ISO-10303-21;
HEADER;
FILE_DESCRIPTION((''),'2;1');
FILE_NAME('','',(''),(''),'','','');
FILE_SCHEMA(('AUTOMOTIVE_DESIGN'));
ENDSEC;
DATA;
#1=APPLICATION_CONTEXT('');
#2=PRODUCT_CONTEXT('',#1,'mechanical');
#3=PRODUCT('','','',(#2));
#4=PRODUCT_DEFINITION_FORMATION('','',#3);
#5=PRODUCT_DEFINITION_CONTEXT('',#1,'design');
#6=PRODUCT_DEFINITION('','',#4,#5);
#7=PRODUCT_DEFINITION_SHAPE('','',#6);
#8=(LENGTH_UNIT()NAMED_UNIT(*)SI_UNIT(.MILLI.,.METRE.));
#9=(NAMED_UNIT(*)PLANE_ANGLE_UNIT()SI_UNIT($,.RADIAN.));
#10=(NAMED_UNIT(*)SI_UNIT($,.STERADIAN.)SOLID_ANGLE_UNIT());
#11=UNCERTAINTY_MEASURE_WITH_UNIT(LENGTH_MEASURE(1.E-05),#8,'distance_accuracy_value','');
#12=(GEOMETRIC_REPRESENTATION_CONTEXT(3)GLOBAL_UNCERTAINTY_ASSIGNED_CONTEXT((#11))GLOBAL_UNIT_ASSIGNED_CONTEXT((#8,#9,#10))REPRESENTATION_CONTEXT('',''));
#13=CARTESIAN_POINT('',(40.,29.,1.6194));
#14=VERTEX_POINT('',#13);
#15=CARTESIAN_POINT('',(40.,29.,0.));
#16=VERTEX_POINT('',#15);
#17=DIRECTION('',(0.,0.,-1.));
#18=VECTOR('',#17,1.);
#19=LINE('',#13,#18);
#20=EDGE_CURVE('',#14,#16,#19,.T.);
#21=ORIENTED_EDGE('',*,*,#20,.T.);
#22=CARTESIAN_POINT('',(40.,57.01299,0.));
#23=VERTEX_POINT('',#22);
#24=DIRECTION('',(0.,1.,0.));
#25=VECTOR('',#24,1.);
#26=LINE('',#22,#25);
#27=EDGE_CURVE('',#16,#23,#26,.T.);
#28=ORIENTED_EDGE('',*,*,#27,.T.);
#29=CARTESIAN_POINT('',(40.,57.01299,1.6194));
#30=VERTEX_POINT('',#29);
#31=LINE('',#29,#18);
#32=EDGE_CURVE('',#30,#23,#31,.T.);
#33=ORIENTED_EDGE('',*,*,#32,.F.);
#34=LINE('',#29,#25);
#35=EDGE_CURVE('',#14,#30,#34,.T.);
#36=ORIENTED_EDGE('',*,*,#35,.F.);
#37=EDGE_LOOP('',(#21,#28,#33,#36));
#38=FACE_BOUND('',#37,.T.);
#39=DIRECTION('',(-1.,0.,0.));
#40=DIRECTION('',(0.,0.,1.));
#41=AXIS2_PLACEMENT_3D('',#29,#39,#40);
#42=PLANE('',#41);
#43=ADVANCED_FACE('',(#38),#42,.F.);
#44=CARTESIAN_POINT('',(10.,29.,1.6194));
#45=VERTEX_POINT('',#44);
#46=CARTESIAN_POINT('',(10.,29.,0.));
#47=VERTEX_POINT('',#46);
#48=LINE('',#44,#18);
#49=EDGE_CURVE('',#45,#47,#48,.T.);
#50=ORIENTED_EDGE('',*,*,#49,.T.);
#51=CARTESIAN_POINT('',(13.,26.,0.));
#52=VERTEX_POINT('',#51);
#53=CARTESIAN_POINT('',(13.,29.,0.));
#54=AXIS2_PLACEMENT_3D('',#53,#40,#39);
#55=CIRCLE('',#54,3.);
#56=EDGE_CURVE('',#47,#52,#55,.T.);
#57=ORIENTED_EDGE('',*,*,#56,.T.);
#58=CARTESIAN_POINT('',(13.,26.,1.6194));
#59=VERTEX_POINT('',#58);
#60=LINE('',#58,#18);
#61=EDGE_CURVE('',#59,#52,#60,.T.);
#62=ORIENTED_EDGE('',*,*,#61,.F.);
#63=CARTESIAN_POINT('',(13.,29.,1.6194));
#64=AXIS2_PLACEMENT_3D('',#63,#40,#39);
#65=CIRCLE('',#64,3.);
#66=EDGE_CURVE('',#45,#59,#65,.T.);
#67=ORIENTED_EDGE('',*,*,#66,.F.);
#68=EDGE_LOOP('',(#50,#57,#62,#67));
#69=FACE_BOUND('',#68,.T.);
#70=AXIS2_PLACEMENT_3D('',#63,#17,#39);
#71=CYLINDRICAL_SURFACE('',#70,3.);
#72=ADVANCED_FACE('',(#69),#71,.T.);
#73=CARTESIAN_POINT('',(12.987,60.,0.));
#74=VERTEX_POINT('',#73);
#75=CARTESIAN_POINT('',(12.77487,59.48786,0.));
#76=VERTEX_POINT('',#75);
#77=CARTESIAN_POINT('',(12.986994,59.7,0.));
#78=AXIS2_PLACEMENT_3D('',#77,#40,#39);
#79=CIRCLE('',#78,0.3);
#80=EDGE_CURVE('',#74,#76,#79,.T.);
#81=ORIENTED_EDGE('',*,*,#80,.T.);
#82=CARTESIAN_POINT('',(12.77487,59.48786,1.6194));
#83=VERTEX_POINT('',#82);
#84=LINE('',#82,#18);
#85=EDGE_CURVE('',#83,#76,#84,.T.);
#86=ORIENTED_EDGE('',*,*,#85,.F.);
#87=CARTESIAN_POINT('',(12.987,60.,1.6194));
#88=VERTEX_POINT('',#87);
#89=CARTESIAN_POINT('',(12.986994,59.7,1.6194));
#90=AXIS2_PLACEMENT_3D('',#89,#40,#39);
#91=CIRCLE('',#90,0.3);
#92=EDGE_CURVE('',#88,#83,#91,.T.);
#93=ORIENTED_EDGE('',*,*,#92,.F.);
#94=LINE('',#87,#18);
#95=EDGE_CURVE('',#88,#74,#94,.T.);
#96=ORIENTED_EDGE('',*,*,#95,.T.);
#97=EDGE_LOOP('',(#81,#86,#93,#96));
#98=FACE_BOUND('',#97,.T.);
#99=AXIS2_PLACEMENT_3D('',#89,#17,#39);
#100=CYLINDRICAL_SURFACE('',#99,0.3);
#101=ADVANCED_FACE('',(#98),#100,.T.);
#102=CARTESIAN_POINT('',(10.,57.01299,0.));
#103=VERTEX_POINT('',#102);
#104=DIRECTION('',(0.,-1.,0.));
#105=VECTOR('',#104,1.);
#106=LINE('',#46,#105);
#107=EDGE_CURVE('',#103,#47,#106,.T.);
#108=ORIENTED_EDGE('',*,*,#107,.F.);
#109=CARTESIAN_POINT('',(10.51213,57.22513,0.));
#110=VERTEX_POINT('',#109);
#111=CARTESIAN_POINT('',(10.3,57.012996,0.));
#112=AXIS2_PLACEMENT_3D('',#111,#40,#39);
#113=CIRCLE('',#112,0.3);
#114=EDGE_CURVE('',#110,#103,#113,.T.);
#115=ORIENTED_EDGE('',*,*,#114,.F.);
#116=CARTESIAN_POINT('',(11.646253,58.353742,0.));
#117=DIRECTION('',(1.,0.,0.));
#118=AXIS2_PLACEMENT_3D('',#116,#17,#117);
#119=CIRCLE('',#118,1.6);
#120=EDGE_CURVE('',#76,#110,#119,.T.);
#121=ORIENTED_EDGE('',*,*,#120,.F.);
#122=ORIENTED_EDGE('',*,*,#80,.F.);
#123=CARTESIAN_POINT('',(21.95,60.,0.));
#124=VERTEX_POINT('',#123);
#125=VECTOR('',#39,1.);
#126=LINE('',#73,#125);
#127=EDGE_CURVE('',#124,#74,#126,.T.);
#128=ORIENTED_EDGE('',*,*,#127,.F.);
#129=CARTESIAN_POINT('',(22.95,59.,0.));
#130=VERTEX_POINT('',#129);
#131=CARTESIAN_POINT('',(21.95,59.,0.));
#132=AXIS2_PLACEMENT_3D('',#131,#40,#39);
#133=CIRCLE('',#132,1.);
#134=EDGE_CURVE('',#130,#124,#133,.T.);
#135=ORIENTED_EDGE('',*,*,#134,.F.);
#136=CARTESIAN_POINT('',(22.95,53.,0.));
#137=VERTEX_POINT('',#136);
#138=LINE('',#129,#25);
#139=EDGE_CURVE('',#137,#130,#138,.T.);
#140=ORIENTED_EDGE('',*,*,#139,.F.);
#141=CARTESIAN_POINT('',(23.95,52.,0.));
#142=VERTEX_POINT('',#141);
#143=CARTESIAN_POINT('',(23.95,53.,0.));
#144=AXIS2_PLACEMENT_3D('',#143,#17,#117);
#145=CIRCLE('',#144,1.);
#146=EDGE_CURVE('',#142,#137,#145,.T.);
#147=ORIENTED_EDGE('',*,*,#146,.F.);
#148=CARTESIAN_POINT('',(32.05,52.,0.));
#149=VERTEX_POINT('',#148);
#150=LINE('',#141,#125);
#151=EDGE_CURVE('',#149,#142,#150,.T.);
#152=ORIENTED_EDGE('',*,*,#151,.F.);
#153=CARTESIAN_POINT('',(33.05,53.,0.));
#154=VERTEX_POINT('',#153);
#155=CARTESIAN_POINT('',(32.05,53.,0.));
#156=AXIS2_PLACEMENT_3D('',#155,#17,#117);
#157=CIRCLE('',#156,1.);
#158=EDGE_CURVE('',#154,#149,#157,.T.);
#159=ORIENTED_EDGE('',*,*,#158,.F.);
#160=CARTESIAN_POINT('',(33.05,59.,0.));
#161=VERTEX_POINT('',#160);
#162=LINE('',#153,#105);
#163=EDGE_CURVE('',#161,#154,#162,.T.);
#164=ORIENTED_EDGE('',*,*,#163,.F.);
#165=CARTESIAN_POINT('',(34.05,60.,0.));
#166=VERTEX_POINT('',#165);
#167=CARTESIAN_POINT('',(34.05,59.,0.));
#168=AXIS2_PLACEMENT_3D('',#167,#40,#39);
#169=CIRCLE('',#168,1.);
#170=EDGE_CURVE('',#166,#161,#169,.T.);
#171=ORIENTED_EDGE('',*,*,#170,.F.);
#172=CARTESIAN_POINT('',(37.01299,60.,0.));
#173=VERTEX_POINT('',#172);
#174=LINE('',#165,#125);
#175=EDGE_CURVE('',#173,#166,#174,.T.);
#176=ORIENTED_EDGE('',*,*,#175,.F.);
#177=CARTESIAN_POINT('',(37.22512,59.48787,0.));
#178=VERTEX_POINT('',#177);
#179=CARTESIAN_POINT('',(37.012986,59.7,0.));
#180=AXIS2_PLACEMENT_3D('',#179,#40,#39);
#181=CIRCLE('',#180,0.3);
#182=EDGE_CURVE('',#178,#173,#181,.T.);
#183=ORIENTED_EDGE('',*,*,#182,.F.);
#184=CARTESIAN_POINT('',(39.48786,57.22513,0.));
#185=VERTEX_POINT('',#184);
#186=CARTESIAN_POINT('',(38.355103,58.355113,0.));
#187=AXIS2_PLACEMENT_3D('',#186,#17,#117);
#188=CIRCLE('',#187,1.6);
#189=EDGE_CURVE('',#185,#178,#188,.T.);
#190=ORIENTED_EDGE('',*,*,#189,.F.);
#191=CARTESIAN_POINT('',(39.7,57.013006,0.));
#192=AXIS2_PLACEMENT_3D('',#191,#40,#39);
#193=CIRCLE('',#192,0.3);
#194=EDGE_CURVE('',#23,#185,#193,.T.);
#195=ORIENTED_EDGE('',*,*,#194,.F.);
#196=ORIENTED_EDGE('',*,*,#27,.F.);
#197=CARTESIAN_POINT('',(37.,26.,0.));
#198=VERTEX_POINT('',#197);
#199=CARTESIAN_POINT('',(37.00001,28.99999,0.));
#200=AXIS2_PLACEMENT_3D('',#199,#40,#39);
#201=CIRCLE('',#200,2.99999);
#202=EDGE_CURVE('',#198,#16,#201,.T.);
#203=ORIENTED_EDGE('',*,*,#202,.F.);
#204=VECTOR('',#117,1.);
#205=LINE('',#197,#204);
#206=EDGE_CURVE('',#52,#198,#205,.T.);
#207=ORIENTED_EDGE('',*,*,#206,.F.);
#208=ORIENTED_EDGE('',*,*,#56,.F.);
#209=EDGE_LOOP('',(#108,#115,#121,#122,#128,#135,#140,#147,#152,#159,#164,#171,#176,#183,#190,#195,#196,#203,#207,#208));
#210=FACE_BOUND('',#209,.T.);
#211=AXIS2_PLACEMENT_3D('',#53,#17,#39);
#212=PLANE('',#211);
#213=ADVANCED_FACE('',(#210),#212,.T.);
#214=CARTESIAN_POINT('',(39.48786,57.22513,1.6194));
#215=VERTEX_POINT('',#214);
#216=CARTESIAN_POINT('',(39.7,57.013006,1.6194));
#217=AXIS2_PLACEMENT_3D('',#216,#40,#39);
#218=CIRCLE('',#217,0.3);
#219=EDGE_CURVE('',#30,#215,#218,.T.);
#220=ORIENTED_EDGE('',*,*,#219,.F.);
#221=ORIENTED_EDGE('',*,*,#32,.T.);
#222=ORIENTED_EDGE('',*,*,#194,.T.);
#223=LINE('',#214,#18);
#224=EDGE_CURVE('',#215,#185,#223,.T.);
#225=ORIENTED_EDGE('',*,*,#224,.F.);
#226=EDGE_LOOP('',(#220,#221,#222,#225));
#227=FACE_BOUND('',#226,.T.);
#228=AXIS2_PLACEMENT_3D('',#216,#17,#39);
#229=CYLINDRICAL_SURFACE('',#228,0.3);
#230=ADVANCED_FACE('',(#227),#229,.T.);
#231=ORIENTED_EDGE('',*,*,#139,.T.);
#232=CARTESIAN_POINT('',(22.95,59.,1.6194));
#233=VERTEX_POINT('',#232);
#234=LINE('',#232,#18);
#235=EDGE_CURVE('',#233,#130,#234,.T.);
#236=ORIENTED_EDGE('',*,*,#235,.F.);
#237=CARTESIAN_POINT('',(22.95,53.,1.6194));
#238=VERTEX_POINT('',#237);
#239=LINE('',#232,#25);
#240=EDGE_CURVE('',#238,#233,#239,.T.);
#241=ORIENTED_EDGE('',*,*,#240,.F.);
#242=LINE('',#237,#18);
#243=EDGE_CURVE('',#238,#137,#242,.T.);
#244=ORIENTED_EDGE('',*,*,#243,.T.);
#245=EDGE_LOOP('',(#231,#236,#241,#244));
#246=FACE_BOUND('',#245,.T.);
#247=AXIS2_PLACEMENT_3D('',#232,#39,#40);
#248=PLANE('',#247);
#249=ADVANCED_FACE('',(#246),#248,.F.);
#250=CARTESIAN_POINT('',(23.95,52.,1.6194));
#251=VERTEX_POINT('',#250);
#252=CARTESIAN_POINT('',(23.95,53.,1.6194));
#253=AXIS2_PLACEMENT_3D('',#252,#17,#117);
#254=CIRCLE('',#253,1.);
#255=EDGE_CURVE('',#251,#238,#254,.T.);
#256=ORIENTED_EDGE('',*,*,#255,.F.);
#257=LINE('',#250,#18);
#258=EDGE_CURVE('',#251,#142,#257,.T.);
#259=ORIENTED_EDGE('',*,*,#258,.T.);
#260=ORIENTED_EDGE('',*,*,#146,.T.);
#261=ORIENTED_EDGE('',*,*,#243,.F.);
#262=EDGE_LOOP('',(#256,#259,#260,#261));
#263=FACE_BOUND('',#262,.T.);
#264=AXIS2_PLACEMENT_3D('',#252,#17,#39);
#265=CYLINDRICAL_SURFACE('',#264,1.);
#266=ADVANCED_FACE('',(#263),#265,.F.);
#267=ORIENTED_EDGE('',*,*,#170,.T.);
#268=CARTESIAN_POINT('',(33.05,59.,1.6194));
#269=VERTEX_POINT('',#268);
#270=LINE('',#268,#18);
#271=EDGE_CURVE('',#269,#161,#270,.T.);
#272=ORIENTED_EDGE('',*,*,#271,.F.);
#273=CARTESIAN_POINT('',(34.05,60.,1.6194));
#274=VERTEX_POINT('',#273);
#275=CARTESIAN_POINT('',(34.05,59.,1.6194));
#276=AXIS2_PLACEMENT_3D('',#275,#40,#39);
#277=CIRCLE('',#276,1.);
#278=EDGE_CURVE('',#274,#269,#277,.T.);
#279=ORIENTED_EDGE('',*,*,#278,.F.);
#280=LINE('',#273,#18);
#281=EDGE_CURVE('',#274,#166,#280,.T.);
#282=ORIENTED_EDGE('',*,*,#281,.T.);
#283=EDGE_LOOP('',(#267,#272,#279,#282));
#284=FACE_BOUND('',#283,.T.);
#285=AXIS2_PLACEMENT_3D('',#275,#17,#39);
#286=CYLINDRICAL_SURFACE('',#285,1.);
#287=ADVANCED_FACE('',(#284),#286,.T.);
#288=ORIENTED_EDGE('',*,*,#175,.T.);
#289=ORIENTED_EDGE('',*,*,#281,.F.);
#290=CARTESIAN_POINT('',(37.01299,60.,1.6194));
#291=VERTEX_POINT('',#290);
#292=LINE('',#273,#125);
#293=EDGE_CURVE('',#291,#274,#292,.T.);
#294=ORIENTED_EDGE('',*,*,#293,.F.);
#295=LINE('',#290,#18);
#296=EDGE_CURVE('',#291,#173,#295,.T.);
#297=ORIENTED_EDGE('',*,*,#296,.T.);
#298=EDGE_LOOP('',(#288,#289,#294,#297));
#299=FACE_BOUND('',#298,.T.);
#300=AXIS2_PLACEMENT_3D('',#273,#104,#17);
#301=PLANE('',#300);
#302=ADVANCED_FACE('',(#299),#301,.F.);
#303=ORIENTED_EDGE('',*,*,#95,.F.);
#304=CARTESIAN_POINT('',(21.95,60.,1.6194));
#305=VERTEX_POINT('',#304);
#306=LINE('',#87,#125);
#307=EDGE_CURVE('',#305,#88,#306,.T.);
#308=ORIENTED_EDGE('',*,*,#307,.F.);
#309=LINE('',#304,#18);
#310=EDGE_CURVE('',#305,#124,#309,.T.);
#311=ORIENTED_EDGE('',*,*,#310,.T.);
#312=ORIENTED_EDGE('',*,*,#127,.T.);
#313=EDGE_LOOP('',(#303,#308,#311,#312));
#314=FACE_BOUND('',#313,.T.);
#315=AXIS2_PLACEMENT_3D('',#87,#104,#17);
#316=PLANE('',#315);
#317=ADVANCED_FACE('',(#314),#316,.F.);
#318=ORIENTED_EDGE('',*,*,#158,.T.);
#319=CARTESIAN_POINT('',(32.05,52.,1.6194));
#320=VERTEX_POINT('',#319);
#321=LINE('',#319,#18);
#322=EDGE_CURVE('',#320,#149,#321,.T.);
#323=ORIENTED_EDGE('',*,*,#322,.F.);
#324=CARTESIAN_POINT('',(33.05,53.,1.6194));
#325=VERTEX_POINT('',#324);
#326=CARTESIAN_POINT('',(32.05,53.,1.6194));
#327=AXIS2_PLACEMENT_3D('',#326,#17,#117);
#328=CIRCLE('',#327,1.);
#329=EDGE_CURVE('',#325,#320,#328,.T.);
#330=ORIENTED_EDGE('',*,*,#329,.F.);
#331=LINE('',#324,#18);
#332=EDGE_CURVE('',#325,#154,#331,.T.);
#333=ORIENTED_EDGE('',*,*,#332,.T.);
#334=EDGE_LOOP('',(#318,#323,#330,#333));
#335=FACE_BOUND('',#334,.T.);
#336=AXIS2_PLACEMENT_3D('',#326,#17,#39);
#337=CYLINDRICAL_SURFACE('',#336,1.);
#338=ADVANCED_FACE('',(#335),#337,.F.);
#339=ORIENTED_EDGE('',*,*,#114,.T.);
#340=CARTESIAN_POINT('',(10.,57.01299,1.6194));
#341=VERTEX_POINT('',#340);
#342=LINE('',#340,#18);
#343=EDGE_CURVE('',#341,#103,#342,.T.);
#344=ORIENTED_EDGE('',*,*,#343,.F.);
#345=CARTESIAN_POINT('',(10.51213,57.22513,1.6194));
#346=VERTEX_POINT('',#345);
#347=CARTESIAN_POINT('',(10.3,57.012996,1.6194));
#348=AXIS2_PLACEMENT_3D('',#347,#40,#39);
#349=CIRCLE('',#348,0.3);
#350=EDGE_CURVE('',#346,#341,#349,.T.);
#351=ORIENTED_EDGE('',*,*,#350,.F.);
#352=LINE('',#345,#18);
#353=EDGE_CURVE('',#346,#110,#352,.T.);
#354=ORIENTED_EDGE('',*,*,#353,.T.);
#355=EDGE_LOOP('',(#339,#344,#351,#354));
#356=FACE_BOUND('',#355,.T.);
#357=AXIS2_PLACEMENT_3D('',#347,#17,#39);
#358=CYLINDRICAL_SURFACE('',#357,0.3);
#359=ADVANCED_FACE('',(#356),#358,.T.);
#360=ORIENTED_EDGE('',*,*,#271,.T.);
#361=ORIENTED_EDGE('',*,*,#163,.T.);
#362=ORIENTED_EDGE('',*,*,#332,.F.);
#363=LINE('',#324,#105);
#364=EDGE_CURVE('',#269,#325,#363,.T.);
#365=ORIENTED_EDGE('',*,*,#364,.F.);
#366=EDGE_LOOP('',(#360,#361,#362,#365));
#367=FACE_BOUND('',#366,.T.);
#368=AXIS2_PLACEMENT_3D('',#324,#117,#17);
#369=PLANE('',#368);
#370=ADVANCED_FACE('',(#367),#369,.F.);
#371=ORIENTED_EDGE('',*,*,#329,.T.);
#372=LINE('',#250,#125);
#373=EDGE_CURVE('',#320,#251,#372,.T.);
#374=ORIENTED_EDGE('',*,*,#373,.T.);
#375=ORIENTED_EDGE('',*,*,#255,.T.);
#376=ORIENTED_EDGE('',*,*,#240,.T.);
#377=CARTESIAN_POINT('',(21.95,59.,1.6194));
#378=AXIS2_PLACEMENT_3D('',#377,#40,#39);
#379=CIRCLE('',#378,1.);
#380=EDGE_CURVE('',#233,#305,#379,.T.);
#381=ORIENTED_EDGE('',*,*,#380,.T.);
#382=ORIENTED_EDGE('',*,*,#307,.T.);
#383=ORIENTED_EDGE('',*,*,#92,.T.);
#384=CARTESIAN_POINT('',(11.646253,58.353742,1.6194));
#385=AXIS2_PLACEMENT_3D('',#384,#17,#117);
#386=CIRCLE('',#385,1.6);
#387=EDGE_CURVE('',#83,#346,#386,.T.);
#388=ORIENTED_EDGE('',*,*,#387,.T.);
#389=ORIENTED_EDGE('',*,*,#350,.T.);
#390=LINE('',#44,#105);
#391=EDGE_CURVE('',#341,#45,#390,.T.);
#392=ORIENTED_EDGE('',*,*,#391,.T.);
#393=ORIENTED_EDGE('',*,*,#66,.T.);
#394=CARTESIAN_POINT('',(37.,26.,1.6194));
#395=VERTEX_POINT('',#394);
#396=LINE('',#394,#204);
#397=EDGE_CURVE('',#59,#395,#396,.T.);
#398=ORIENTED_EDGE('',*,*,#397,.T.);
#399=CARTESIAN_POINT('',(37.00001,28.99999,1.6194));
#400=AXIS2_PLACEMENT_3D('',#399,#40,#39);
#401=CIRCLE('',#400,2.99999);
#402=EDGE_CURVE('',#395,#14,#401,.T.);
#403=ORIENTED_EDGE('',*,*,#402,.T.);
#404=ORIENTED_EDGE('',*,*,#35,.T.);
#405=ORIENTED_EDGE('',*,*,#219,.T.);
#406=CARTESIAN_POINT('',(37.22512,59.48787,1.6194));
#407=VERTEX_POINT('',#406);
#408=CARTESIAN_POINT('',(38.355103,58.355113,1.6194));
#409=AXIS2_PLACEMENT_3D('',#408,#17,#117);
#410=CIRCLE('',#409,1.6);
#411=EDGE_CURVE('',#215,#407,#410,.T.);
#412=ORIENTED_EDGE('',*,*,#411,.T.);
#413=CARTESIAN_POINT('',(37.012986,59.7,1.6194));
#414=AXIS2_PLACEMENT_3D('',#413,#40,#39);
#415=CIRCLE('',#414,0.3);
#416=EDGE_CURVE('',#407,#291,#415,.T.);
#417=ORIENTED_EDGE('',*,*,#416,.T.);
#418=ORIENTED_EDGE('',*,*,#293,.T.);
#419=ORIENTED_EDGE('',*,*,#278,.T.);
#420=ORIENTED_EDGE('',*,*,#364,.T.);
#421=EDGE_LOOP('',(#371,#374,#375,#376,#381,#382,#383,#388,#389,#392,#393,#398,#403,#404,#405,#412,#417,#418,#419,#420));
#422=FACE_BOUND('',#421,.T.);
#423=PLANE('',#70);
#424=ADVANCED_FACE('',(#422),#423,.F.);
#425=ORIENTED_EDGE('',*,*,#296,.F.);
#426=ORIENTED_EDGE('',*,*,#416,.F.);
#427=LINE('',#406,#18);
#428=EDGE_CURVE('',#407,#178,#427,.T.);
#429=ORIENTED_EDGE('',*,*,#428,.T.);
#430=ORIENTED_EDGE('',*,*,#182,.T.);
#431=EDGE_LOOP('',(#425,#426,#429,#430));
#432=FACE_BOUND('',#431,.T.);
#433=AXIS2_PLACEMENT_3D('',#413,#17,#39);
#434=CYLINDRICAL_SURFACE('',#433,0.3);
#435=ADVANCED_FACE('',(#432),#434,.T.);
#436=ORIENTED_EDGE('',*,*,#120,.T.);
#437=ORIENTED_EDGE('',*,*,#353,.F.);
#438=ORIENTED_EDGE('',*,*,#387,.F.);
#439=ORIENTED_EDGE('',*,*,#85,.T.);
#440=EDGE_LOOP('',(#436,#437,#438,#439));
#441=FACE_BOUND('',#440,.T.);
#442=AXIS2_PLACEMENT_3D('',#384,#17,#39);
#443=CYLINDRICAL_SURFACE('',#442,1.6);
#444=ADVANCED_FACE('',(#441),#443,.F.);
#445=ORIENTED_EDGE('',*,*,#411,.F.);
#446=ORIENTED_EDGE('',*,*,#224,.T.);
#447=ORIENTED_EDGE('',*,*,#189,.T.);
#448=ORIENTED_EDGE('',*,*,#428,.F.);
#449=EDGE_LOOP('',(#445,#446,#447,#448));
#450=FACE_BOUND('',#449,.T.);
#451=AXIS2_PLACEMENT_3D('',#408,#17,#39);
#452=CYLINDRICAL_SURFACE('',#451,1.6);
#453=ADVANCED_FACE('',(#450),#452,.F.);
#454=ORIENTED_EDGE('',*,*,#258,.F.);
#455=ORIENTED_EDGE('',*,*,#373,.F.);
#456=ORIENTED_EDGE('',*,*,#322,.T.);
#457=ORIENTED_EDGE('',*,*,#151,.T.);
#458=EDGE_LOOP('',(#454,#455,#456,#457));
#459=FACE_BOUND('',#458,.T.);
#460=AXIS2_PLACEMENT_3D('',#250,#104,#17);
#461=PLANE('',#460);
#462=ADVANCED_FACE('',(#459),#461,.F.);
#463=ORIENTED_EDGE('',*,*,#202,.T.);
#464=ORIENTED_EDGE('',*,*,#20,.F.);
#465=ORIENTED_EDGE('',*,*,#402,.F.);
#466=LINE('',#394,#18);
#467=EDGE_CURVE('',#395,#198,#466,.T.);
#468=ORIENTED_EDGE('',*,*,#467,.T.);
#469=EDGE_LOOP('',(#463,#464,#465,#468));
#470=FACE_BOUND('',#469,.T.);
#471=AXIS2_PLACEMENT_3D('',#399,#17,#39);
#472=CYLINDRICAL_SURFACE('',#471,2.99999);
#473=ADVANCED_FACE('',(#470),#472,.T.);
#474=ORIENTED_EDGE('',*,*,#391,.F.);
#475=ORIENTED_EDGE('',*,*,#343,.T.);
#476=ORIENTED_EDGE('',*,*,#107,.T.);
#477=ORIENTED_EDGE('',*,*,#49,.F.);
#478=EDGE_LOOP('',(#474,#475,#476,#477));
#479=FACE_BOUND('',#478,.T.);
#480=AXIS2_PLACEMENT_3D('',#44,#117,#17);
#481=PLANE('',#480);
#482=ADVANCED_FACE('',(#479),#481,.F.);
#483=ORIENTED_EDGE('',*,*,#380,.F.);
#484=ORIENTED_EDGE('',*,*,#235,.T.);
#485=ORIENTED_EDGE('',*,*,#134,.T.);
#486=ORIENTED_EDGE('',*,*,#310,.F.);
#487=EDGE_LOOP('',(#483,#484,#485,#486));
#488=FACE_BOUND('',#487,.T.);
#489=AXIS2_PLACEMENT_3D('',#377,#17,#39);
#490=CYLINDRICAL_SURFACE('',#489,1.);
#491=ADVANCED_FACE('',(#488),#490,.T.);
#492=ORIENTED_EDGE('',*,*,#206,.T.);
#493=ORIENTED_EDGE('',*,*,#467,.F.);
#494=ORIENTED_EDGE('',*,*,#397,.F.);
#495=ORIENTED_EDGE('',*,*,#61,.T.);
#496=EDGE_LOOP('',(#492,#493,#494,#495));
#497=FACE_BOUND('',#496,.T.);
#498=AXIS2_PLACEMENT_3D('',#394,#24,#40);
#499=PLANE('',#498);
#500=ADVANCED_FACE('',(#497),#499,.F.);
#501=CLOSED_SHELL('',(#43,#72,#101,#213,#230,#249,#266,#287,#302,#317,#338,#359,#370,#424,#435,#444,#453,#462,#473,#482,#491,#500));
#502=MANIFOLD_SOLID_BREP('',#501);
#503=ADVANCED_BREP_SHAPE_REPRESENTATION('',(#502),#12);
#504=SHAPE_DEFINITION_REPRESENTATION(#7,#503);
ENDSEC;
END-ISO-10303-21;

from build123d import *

# Parameters (mm, degrees)
BOARD_DEPTH = 1.6194


with BuildPart() as part:
    # Sketch1 → Board (new body)
    with BuildSketch(Plane.XY):
        with BuildLine():
            Line((10, 29), (10, 57.01299))
            ThreePointArc((10, 57.01299), (10.185190901, 57.290158106), (10.51213, 57.22513))
            ThreePointArc((10.51213, 57.22513), (12.777621512, 57.222368475), (12.77487, 59.48786))
            ThreePointArc((12.77487, 59.48786), (12.709829188, 59.814802566), (12.987, 60))
            Line((12.987, 60), (21.95, 60))
            ThreePointArc((21.95, 60), (22.657106781, 59.707106781), (22.95, 59))
            Line((22.95, 59), (22.95, 53))
            ThreePointArc((22.95, 53), (23.242893219, 52.292893219), (23.95, 52))
            Line((23.95, 52), (32.05, 52))
            ThreePointArc((32.05, 52), (32.757106781, 52.292893219), (33.05, 53))
            Line((33.05, 53), (33.05, 59))
            ThreePointArc((33.05, 59), (33.342893219, 59.707106781), (34.05, 60))
            Line((34.05, 60), (37.01299, 60))
            ThreePointArc((37.01299, 60), (37.290150019, 59.814804479), (37.22512, 59.48787))
            ThreePointArc((37.22512, 59.48787), (37.223732391, 57.223742391), (39.48786, 57.22513))
            ThreePointArc((39.48786, 57.22513), (39.814807186, 57.290168899), (40, 57.01299))
            Line((40, 57.01299), (40, 29))
            ThreePointArc((40, 29), (39.121323273, 26.878676727), (37, 26))
            Line((37, 26), (13, 26))
            ThreePointArc((13, 26), (10.878679656, 26.878679656), (10, 29))
        make_face()
    extrude(amount=BOARD_DEPTH)


solid = part.part
